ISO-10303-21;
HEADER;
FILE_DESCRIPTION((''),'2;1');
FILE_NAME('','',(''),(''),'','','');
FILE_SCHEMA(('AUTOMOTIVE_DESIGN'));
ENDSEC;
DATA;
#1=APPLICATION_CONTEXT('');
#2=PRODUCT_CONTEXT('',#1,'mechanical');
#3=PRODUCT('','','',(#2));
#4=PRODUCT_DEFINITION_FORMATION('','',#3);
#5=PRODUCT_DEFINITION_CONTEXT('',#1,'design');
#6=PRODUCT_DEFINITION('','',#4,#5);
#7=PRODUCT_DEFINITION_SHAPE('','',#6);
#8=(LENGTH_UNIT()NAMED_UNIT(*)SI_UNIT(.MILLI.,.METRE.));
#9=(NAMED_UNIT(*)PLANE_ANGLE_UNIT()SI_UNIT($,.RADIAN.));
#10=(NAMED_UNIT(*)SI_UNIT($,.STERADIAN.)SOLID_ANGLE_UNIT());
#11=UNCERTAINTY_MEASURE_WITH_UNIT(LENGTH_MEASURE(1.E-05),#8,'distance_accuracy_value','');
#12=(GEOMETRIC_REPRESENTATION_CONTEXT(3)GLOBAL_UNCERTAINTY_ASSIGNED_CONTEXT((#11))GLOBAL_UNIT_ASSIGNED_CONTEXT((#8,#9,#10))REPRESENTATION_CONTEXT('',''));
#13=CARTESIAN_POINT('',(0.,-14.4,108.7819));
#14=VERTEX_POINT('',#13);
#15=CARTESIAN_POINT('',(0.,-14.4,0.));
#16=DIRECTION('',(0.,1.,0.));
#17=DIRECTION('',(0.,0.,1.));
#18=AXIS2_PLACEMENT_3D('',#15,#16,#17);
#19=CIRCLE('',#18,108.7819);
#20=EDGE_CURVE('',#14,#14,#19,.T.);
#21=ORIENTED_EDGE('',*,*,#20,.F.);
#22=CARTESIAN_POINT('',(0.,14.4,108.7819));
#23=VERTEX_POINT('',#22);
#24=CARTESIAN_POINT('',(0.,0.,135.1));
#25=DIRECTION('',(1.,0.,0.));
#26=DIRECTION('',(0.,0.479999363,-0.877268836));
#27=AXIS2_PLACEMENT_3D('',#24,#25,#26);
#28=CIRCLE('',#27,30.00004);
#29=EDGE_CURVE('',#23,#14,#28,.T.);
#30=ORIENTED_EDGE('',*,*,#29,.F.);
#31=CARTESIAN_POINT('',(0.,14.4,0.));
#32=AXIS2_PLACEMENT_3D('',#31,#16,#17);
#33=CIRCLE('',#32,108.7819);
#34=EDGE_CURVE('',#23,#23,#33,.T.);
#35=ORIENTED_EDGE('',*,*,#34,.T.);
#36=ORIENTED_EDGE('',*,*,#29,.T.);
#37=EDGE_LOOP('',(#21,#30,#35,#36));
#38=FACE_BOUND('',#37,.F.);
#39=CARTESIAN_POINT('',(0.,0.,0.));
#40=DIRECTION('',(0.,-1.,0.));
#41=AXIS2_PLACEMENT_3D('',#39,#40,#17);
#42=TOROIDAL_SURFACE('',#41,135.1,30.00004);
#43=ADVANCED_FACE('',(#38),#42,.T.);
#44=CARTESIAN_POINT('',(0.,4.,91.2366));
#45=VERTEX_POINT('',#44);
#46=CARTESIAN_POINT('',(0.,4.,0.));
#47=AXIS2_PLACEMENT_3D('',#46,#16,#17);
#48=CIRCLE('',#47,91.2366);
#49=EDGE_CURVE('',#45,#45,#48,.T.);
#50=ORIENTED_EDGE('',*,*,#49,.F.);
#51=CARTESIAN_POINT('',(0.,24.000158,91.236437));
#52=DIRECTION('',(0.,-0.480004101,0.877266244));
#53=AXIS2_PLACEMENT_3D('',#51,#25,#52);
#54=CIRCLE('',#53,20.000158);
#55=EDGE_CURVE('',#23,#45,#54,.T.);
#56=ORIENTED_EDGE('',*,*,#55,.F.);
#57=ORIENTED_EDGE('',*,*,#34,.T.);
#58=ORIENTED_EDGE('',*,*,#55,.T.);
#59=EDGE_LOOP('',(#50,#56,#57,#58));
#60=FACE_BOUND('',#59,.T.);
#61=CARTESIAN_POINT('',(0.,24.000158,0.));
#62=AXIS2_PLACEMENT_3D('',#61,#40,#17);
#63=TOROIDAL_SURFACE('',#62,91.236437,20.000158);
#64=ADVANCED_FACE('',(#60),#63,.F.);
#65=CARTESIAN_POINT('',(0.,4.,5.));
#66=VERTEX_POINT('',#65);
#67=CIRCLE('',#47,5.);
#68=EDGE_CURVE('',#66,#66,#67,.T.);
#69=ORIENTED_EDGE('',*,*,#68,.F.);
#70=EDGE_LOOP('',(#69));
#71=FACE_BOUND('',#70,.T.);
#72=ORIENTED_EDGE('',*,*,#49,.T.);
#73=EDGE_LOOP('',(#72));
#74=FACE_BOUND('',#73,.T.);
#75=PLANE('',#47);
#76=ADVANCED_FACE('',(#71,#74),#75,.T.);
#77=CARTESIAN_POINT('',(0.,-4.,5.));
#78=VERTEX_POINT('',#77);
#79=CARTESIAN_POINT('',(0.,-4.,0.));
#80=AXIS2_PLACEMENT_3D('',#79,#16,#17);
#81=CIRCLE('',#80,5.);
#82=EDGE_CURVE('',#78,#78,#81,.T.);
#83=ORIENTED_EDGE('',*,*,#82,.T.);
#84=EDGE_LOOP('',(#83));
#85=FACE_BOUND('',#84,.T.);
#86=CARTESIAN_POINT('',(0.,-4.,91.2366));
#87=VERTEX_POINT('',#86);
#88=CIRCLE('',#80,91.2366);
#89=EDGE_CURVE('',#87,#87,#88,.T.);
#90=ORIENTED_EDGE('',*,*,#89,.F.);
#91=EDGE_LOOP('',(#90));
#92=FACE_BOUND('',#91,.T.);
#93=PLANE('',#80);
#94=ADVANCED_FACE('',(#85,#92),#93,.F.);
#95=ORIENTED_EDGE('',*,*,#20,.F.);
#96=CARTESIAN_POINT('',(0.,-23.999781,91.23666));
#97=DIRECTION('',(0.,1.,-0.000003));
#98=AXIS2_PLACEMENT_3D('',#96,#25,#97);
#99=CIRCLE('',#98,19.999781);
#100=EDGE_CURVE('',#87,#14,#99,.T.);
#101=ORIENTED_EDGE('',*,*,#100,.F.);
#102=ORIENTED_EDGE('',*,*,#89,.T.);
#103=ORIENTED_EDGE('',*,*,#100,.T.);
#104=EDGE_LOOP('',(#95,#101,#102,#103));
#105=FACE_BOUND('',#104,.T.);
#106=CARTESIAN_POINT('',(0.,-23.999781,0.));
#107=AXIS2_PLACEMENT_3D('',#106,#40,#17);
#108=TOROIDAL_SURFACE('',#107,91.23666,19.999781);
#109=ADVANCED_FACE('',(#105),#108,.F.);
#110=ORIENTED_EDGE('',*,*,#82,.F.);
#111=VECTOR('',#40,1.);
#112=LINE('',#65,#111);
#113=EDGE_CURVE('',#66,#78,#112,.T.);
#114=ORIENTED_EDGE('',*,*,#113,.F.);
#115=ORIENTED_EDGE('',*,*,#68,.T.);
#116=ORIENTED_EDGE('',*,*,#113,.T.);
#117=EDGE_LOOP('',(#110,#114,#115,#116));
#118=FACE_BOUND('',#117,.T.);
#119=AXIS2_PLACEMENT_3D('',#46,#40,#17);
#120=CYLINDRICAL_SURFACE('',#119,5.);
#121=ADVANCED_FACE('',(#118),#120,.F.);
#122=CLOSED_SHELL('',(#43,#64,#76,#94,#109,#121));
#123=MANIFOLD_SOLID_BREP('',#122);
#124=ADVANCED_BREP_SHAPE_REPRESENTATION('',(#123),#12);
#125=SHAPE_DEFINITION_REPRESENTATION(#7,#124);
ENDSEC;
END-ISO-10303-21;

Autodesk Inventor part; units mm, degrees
ref_plane "YZ Plane" through (0, 0, 0) normal (1, 0, 0) x (0, 1, 0)
ref_plane "XZ Plane" through (0, 0, 0) normal (0, 1, 0) x (-1, 0, 0)
ref_plane "XY Plane" through (0, 0, 0) normal (0, 0, 1) x (1, 0, 0)
sketch "Sketch1" plane through (0, 0, 0) normal (1, 0, 0) x (0, 1, 0)
  line L0 (0, 0) -> (0, 165.1) construction
  arc A0 (14.4, 108.7819) -> (-14.4, 108.7819) centre (0, 135.1) ccw
  line L1 (4, 91.2366) -> (4, 5)
  line L2 (-4, 5) -> (-4, 91.2366)
  arc A1 (14.4, 108.7819) -> (4, 91.2366) centre (24, 91.2366) ccw
  arc A2 (-4, 91.2366) -> (-14.4, 108.7819) centre (-24, 91.2366) ccw
  line L3 (4, 5) -> (-4, 5)
  line L4 (-42, 0) -> (42, 0) projected
  point P0 (4, 105.3679)
  point P1 (-4, 105.3679)
  dimension "d0" = 165.1
  dimension "d1" = 60
  dimension "d2" = 4
  dimension "d3" = 4
  dimension "d4" = 20
  dimension "d5" = 5
revolve "Revolution1" add sketch "Sketch1" angle 360 about axis through (0, -10, 0) along (0, 1, 0)
properties part number "wheel"
